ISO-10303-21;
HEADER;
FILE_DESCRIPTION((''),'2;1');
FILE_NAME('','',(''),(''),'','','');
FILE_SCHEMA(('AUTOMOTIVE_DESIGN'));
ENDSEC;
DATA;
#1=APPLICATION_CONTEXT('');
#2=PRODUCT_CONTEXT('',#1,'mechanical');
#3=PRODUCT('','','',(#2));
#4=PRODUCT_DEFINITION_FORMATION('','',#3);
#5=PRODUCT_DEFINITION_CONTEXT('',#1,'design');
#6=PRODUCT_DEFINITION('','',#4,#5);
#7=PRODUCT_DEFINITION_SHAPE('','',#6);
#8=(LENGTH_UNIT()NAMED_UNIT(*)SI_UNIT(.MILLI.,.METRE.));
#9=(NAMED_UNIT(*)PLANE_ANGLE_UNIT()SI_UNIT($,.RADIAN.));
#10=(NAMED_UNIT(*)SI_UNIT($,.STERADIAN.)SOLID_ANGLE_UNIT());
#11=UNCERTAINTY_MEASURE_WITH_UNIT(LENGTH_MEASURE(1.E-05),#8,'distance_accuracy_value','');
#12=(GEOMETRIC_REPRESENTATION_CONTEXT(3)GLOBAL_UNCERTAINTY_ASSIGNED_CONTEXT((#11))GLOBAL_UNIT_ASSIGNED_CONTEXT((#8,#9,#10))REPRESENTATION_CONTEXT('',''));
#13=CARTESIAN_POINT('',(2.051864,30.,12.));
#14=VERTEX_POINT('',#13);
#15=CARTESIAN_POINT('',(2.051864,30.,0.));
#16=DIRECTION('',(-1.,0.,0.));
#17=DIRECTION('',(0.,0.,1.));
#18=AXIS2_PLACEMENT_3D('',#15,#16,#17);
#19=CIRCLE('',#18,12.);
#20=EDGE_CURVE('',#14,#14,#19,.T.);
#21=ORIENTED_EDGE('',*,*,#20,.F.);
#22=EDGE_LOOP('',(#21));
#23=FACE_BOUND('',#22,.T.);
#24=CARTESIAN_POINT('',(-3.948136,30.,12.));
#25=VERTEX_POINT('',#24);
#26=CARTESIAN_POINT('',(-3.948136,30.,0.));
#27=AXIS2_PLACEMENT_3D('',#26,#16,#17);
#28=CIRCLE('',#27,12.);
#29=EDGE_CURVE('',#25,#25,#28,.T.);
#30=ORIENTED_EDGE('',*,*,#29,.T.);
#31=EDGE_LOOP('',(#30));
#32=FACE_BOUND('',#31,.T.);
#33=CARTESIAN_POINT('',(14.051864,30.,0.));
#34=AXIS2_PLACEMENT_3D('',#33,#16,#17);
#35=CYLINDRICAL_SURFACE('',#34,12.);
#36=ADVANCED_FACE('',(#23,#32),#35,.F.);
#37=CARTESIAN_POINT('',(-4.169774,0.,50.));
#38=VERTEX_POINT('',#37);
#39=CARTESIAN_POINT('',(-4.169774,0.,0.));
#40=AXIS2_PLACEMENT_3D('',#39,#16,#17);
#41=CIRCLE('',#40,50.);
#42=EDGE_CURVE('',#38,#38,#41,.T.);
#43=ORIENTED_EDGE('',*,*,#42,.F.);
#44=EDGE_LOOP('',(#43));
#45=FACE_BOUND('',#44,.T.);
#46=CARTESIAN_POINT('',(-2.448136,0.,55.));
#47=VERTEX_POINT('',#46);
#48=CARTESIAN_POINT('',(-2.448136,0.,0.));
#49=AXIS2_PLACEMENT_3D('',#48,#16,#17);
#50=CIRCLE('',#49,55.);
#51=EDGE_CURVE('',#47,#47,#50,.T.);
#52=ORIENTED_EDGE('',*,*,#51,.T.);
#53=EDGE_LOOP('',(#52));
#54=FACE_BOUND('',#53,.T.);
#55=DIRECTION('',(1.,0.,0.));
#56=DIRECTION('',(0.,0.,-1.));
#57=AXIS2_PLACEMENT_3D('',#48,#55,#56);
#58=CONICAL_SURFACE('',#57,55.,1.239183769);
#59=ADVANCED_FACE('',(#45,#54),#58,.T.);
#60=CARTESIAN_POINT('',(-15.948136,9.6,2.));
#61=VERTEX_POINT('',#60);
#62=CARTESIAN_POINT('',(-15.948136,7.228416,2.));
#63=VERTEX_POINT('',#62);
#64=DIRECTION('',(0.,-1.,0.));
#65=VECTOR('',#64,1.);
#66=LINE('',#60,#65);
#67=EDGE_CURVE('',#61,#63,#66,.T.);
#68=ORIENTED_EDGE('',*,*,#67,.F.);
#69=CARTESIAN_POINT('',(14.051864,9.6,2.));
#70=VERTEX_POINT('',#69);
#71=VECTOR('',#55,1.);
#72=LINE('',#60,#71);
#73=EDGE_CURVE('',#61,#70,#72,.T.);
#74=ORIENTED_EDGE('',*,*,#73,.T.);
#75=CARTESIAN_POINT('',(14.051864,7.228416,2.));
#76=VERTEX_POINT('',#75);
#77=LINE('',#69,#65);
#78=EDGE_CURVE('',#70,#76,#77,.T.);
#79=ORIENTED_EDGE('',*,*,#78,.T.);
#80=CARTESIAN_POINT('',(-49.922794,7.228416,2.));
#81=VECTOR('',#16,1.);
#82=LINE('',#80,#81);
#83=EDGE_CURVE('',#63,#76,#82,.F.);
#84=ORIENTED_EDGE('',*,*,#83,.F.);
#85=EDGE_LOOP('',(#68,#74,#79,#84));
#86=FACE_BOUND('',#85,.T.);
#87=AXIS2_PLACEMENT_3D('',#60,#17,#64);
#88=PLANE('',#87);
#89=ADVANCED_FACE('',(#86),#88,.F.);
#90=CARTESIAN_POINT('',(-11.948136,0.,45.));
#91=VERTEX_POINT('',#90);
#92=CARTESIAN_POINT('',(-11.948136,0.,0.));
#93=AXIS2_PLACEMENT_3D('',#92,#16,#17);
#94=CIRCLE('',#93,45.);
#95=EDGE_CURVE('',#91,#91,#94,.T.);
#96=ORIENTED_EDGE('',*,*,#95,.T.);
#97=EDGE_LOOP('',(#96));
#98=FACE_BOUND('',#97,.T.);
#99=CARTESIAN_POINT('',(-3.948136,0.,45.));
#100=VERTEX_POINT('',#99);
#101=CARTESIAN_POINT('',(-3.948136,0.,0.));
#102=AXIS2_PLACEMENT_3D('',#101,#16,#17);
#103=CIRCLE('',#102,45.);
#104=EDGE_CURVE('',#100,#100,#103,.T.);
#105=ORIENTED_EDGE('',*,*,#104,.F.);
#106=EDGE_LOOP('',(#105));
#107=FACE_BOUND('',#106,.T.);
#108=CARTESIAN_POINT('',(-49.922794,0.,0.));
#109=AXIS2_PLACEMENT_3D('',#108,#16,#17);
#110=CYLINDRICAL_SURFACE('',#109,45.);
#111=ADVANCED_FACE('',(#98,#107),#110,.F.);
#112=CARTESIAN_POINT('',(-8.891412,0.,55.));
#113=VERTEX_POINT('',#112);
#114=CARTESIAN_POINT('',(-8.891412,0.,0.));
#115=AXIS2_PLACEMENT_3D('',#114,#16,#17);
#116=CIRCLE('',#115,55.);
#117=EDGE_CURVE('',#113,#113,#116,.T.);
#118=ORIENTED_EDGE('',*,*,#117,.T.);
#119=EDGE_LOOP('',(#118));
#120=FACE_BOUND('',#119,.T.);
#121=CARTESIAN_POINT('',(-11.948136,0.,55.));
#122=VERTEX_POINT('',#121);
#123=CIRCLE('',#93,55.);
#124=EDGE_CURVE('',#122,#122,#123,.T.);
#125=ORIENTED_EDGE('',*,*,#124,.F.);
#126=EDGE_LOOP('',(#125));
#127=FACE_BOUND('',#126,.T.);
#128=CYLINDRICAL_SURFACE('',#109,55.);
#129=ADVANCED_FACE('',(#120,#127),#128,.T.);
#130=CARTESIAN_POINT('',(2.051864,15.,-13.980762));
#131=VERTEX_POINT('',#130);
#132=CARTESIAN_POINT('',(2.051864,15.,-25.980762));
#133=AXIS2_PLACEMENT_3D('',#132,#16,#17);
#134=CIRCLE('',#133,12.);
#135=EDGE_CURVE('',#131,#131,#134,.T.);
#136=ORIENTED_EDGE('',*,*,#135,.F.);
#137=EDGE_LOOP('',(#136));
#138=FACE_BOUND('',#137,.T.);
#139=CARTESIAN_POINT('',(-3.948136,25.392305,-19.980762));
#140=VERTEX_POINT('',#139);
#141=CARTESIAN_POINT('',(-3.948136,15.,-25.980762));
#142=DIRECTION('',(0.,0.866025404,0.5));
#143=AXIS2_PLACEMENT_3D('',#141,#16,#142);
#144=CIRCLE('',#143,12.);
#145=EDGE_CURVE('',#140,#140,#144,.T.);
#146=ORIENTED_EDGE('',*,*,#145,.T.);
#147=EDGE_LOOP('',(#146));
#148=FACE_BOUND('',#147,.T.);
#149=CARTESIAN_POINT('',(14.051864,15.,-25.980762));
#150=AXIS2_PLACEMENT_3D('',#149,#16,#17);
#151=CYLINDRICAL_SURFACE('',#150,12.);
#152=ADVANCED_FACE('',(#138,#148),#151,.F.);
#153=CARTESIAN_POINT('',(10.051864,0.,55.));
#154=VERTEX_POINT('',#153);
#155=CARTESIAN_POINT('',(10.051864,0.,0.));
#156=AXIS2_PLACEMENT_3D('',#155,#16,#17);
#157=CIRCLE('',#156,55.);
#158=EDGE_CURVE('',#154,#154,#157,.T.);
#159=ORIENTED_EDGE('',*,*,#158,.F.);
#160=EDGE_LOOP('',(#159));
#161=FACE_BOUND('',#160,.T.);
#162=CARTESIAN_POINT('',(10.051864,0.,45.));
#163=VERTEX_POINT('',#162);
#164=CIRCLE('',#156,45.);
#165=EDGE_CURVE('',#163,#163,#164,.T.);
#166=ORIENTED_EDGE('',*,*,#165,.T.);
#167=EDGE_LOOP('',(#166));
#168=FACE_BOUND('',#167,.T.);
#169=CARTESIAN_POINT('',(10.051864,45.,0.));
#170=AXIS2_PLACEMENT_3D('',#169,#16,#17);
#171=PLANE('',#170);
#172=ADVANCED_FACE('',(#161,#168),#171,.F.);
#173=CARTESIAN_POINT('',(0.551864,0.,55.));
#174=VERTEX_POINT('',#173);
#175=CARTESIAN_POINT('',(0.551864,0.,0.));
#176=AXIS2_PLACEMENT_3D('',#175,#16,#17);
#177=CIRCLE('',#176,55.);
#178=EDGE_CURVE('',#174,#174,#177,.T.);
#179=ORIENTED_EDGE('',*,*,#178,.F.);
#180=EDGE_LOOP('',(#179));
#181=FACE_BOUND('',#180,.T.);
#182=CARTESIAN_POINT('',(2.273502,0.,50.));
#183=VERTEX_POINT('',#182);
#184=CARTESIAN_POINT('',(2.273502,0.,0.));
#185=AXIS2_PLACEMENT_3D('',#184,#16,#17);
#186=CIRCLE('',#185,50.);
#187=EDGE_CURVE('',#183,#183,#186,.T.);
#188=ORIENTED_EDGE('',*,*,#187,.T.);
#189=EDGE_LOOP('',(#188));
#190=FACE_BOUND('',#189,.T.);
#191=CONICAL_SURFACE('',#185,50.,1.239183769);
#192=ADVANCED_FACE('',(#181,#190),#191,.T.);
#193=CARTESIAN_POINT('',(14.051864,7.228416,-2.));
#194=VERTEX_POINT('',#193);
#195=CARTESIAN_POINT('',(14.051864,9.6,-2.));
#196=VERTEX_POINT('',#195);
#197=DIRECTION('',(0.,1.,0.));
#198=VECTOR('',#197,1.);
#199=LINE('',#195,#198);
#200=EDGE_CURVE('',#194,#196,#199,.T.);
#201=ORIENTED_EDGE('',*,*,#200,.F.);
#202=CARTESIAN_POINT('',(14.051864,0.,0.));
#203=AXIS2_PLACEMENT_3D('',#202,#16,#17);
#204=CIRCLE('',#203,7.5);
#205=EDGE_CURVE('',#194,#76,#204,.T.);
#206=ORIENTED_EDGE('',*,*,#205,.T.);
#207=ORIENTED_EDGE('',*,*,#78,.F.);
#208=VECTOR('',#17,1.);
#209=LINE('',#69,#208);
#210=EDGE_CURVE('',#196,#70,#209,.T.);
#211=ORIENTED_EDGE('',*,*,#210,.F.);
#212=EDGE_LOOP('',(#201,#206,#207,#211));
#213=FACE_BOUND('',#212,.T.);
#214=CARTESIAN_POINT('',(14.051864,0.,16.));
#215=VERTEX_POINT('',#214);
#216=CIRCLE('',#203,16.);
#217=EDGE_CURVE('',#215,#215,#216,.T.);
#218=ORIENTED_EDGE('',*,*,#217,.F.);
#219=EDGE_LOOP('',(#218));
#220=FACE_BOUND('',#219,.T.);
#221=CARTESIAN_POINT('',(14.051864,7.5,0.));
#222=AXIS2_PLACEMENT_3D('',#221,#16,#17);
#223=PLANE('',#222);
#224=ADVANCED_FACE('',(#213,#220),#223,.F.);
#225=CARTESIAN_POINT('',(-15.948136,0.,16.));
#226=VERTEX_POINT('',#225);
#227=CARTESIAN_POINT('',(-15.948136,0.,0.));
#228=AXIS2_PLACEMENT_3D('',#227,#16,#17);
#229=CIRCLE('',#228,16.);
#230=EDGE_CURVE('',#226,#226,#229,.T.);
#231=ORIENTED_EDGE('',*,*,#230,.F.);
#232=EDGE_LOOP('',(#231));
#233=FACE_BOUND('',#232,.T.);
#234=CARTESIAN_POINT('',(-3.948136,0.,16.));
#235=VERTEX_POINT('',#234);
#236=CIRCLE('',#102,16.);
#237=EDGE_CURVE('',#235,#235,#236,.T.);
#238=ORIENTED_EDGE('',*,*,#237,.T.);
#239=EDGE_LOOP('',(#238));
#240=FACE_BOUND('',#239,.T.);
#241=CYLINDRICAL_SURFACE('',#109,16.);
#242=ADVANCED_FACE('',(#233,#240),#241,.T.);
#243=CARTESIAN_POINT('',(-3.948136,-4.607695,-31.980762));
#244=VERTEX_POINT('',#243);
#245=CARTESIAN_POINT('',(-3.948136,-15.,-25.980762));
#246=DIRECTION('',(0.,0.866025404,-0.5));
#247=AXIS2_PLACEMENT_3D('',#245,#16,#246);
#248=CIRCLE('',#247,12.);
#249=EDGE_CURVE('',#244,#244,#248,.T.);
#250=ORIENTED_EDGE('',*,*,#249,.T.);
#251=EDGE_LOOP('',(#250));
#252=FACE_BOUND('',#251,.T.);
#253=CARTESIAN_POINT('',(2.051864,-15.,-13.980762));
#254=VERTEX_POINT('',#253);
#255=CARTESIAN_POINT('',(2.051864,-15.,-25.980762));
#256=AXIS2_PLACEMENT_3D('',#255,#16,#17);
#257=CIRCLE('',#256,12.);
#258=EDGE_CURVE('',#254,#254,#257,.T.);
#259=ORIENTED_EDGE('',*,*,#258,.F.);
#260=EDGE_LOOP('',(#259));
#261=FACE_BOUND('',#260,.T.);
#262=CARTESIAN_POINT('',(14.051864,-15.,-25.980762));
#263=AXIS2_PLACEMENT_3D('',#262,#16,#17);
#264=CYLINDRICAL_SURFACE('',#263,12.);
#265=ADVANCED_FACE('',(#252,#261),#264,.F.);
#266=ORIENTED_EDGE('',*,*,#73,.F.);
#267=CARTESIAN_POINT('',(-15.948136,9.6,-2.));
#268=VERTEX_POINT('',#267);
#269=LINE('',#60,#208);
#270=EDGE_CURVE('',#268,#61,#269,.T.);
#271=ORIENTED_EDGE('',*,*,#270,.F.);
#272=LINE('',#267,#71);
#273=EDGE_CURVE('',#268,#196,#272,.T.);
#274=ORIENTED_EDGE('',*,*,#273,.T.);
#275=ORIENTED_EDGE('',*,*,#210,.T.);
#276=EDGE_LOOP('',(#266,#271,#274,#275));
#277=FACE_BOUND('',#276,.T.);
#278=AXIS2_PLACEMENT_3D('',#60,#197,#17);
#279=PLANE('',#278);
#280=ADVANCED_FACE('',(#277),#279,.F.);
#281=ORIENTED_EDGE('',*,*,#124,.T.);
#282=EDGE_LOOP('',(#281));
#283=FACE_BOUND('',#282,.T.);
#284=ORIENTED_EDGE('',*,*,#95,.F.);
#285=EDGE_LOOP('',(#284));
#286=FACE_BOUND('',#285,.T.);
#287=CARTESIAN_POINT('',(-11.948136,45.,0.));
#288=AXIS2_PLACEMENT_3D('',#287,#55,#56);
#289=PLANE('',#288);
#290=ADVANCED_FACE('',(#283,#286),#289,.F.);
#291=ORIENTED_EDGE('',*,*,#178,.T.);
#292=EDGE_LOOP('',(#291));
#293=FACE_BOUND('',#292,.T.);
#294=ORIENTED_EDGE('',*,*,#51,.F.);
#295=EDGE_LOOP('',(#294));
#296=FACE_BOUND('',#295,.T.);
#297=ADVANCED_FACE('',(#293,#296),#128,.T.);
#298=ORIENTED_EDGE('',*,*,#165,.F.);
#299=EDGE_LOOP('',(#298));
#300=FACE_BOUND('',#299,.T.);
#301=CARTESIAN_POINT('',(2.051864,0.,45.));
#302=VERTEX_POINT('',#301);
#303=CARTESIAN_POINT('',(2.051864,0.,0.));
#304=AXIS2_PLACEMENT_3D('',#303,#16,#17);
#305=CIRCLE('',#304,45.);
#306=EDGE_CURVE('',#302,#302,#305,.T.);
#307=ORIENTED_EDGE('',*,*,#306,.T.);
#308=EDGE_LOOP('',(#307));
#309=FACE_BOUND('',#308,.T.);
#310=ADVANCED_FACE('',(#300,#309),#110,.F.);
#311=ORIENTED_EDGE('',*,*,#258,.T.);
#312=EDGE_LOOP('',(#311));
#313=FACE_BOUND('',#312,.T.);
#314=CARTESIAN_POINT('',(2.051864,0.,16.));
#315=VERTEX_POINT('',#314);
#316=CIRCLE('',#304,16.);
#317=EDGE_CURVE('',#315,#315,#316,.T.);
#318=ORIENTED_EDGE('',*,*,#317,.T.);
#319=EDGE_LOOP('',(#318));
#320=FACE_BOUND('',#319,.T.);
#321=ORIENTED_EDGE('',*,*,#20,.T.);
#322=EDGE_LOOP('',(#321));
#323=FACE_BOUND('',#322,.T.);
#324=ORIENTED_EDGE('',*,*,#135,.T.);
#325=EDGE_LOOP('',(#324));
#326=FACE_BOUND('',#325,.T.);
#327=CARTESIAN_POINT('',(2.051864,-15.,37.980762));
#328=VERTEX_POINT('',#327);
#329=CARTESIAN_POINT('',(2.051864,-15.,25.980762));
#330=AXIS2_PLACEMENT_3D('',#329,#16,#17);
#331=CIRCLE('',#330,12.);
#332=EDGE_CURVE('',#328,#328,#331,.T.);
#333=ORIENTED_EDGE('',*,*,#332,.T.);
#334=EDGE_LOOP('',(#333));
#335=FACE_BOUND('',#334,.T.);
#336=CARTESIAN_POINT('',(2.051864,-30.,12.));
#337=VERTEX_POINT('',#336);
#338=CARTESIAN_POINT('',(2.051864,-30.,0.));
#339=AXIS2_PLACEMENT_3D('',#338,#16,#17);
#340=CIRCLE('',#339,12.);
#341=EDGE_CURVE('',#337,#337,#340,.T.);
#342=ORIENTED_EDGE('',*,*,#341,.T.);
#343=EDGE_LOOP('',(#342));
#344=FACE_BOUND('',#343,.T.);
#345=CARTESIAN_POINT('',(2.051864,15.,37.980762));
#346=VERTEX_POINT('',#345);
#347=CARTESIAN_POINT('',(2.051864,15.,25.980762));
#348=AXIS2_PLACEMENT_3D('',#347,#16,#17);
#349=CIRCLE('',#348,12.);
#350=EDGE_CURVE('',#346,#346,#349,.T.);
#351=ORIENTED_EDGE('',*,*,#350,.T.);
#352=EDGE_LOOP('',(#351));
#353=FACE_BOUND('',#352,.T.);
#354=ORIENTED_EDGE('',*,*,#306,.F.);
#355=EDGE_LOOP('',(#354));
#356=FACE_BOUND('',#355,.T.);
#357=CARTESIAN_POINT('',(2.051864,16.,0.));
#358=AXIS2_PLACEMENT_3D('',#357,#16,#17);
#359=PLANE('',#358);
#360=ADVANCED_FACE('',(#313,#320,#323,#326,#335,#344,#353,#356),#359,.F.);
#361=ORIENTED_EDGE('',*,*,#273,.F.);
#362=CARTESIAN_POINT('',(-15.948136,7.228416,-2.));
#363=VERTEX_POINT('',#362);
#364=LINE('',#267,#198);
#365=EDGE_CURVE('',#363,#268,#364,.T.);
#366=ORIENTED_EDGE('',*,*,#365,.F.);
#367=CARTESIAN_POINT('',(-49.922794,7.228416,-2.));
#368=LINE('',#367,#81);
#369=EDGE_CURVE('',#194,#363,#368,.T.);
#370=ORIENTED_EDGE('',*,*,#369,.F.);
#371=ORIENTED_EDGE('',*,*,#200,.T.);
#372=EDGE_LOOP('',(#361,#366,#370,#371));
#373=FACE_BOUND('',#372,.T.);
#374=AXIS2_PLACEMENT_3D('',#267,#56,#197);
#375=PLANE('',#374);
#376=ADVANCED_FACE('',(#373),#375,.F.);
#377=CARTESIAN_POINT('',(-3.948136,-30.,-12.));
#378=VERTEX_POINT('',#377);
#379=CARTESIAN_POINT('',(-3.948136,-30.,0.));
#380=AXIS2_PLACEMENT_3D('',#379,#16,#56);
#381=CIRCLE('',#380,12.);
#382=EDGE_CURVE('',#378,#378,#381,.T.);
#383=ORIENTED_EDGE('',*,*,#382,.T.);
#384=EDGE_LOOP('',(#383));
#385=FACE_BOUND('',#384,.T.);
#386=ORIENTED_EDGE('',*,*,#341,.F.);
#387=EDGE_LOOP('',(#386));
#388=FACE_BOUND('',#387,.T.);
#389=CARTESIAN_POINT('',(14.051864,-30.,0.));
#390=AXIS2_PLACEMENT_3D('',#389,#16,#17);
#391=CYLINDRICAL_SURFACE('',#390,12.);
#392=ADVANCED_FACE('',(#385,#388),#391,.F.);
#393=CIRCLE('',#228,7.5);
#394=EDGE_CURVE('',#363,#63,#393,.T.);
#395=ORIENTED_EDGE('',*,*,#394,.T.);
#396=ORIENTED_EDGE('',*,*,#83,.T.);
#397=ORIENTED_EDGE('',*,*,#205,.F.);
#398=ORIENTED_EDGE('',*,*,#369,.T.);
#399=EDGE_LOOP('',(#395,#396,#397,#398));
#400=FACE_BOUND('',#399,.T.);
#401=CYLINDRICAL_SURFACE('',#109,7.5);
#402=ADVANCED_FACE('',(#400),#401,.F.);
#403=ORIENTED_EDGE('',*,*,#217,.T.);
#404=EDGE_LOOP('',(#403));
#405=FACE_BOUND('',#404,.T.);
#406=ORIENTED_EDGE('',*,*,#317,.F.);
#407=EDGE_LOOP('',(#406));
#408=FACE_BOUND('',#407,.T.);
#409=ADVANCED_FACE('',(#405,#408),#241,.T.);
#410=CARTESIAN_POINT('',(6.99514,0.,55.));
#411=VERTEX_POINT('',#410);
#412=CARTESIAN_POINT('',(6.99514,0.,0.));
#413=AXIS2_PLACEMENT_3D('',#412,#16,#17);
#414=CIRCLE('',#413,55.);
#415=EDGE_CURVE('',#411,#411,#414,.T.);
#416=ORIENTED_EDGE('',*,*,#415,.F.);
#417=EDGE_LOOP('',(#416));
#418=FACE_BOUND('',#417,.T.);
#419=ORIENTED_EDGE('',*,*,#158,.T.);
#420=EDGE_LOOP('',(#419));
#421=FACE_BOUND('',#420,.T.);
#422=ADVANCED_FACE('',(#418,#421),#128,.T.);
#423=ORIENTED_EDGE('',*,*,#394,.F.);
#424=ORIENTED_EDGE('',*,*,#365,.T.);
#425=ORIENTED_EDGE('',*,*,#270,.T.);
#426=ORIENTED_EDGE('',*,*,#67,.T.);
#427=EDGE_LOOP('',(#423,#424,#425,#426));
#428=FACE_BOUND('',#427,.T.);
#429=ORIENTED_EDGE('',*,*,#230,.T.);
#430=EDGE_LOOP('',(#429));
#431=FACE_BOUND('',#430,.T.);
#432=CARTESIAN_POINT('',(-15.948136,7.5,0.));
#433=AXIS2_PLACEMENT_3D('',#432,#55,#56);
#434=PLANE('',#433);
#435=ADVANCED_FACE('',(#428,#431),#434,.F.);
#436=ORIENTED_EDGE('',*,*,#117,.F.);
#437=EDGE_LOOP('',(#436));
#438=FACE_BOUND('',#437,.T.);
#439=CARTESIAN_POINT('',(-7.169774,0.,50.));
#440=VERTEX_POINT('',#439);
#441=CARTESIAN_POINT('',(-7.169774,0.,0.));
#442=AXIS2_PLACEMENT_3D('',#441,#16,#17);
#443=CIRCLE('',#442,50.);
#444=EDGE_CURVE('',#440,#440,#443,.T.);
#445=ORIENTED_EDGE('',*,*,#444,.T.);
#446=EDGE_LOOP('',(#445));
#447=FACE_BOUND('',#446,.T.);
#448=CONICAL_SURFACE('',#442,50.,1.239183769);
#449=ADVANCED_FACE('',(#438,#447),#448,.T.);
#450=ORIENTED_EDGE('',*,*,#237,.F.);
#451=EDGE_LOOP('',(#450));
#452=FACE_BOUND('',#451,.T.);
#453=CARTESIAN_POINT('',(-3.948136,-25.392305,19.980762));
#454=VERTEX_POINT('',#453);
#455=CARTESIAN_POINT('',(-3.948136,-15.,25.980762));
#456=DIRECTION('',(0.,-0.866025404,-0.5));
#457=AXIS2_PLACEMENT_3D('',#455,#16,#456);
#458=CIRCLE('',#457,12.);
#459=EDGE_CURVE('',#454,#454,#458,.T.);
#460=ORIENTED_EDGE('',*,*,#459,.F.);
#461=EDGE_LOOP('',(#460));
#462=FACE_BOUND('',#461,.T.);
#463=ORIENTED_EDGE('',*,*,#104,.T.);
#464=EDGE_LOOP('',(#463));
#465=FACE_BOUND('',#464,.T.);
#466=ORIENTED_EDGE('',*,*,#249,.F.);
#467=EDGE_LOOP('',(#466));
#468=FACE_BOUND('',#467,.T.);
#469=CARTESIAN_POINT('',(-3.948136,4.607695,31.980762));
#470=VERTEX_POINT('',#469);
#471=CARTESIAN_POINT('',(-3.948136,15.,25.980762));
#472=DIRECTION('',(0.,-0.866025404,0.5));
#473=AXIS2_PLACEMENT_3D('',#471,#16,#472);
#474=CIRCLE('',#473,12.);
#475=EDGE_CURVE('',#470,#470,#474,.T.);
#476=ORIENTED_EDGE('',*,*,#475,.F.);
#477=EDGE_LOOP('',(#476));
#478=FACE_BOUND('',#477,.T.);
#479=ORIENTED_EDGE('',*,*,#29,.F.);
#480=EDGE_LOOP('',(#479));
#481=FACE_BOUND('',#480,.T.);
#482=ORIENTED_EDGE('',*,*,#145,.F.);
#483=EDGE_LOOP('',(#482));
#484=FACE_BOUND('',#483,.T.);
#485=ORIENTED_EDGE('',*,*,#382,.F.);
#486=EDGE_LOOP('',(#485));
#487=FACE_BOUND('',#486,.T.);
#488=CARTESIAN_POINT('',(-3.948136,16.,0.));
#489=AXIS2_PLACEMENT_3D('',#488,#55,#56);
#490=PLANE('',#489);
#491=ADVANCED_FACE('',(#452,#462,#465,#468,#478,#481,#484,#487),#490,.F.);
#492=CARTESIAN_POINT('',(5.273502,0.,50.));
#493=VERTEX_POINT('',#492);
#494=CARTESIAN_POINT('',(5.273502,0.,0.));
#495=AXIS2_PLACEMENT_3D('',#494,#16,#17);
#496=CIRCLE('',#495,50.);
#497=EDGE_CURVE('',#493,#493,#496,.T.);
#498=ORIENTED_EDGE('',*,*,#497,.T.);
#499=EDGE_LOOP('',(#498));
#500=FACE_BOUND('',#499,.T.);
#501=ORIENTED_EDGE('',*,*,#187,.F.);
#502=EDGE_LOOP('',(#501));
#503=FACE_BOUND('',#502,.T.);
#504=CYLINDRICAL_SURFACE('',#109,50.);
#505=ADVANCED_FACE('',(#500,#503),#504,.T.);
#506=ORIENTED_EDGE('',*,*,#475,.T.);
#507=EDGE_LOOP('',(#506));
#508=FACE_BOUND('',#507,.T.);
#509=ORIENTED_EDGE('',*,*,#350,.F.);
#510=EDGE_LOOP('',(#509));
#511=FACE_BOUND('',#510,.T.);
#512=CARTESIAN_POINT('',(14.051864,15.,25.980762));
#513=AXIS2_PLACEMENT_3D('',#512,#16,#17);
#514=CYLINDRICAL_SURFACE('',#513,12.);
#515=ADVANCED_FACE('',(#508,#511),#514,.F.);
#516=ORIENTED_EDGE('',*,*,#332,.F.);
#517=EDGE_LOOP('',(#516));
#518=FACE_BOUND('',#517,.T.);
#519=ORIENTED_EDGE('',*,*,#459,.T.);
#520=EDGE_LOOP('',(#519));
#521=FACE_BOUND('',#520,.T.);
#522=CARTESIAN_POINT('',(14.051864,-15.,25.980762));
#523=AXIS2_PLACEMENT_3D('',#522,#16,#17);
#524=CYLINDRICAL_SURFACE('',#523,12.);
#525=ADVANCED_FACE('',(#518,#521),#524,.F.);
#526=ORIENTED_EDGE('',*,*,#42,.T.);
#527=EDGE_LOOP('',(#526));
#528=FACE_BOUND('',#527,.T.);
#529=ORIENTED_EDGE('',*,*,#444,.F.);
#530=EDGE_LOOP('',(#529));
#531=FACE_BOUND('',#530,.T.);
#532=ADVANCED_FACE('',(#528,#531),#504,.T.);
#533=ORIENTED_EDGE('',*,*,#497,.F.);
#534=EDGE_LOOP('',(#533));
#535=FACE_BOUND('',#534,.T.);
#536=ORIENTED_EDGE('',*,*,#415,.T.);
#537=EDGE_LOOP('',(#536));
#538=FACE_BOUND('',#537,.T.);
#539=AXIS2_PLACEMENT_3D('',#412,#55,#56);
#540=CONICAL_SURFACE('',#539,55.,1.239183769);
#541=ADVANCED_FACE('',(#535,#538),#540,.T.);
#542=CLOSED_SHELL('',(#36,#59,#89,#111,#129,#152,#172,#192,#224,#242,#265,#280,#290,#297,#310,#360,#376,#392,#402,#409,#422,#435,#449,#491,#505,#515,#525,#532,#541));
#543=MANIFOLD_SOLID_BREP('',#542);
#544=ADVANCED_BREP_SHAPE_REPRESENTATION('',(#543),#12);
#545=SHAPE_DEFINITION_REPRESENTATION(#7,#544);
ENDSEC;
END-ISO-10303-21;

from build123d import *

# Parameters (mm, degrees)
SKETCH_6_W               = 4
SKETCH_6_H               = 9.6
CUT_EXTRUDE_4_DEPTH      = 84.366660003
SKETCH_7_R               = 12
CUT_EXTRUDE_7_DEPTH      = 80.837334625
PATTERN_CIRCULAR_2_COUNT = 6


with BuildPart() as part:
    # 草图5 → 旋转4 (revolve)
    with BuildSketch(Plane.XY):
        Polygon((-15.948135722, 7.5), (14.051864278, 7.5), (14.051864278, 16), (2.051864278, 16), (2.051864278, 45), (10.051864278, 45), (10.051864278, 55), (6.995140411, 55), (5.273502344, 50), (2.273502344, 50), (0.551864278, 55), (-2.448135722, 55), (-4.169773789, 50), (-7.169773789, 50), (-8.891411855, 55), (-11.948135722, 55), (-11.948135722, 45), (-3.948135722, 45), (-3.948135722, 16), (-15.948135722, 16), align=None)
    revolve(axis=Axis((-49.922793891, 0, 0), (1, 0, 0)))

    # 草图6 → 切除-拉伸4 (cut, through all)
    with BuildSketch(Plane(origin=(14.051864278, 0, 0), x_dir=(0, 0, -1), z_dir=(1, 0, 0))):
        with Locations((0, 4.8)):
            Rectangle(SKETCH_6_W, SKETCH_6_H)
    extrude(amount=-CUT_EXTRUDE_4_DEPTH, mode=Mode.SUBTRACT)

    # 草图7 → 切除-拉伸7 (cut, through all)
    with BuildSketch(Plane.ZY.offset(3.948135722)):
        with Locations((0, 30)):
            Circle(SKETCH_7_R)
    cut_extrude_7 = extrude(amount=-CUT_EXTRUDE_7_DEPTH, mode=Mode.SUBTRACT)

    # 阵列(圆周)2: 切除-拉伸7 ×6 about axis
    pattern_circular_2_axis = Axis((0, 0, 0), (-1, 0, 0))
    for i in range(1, PATTERN_CIRCULAR_2_COUNT):
        add(cut_extrude_7.rotate(pattern_circular_2_axis, i * 360 / PATTERN_CIRCULAR_2_COUNT), mode=Mode.SUBTRACT)


solid = part.part
